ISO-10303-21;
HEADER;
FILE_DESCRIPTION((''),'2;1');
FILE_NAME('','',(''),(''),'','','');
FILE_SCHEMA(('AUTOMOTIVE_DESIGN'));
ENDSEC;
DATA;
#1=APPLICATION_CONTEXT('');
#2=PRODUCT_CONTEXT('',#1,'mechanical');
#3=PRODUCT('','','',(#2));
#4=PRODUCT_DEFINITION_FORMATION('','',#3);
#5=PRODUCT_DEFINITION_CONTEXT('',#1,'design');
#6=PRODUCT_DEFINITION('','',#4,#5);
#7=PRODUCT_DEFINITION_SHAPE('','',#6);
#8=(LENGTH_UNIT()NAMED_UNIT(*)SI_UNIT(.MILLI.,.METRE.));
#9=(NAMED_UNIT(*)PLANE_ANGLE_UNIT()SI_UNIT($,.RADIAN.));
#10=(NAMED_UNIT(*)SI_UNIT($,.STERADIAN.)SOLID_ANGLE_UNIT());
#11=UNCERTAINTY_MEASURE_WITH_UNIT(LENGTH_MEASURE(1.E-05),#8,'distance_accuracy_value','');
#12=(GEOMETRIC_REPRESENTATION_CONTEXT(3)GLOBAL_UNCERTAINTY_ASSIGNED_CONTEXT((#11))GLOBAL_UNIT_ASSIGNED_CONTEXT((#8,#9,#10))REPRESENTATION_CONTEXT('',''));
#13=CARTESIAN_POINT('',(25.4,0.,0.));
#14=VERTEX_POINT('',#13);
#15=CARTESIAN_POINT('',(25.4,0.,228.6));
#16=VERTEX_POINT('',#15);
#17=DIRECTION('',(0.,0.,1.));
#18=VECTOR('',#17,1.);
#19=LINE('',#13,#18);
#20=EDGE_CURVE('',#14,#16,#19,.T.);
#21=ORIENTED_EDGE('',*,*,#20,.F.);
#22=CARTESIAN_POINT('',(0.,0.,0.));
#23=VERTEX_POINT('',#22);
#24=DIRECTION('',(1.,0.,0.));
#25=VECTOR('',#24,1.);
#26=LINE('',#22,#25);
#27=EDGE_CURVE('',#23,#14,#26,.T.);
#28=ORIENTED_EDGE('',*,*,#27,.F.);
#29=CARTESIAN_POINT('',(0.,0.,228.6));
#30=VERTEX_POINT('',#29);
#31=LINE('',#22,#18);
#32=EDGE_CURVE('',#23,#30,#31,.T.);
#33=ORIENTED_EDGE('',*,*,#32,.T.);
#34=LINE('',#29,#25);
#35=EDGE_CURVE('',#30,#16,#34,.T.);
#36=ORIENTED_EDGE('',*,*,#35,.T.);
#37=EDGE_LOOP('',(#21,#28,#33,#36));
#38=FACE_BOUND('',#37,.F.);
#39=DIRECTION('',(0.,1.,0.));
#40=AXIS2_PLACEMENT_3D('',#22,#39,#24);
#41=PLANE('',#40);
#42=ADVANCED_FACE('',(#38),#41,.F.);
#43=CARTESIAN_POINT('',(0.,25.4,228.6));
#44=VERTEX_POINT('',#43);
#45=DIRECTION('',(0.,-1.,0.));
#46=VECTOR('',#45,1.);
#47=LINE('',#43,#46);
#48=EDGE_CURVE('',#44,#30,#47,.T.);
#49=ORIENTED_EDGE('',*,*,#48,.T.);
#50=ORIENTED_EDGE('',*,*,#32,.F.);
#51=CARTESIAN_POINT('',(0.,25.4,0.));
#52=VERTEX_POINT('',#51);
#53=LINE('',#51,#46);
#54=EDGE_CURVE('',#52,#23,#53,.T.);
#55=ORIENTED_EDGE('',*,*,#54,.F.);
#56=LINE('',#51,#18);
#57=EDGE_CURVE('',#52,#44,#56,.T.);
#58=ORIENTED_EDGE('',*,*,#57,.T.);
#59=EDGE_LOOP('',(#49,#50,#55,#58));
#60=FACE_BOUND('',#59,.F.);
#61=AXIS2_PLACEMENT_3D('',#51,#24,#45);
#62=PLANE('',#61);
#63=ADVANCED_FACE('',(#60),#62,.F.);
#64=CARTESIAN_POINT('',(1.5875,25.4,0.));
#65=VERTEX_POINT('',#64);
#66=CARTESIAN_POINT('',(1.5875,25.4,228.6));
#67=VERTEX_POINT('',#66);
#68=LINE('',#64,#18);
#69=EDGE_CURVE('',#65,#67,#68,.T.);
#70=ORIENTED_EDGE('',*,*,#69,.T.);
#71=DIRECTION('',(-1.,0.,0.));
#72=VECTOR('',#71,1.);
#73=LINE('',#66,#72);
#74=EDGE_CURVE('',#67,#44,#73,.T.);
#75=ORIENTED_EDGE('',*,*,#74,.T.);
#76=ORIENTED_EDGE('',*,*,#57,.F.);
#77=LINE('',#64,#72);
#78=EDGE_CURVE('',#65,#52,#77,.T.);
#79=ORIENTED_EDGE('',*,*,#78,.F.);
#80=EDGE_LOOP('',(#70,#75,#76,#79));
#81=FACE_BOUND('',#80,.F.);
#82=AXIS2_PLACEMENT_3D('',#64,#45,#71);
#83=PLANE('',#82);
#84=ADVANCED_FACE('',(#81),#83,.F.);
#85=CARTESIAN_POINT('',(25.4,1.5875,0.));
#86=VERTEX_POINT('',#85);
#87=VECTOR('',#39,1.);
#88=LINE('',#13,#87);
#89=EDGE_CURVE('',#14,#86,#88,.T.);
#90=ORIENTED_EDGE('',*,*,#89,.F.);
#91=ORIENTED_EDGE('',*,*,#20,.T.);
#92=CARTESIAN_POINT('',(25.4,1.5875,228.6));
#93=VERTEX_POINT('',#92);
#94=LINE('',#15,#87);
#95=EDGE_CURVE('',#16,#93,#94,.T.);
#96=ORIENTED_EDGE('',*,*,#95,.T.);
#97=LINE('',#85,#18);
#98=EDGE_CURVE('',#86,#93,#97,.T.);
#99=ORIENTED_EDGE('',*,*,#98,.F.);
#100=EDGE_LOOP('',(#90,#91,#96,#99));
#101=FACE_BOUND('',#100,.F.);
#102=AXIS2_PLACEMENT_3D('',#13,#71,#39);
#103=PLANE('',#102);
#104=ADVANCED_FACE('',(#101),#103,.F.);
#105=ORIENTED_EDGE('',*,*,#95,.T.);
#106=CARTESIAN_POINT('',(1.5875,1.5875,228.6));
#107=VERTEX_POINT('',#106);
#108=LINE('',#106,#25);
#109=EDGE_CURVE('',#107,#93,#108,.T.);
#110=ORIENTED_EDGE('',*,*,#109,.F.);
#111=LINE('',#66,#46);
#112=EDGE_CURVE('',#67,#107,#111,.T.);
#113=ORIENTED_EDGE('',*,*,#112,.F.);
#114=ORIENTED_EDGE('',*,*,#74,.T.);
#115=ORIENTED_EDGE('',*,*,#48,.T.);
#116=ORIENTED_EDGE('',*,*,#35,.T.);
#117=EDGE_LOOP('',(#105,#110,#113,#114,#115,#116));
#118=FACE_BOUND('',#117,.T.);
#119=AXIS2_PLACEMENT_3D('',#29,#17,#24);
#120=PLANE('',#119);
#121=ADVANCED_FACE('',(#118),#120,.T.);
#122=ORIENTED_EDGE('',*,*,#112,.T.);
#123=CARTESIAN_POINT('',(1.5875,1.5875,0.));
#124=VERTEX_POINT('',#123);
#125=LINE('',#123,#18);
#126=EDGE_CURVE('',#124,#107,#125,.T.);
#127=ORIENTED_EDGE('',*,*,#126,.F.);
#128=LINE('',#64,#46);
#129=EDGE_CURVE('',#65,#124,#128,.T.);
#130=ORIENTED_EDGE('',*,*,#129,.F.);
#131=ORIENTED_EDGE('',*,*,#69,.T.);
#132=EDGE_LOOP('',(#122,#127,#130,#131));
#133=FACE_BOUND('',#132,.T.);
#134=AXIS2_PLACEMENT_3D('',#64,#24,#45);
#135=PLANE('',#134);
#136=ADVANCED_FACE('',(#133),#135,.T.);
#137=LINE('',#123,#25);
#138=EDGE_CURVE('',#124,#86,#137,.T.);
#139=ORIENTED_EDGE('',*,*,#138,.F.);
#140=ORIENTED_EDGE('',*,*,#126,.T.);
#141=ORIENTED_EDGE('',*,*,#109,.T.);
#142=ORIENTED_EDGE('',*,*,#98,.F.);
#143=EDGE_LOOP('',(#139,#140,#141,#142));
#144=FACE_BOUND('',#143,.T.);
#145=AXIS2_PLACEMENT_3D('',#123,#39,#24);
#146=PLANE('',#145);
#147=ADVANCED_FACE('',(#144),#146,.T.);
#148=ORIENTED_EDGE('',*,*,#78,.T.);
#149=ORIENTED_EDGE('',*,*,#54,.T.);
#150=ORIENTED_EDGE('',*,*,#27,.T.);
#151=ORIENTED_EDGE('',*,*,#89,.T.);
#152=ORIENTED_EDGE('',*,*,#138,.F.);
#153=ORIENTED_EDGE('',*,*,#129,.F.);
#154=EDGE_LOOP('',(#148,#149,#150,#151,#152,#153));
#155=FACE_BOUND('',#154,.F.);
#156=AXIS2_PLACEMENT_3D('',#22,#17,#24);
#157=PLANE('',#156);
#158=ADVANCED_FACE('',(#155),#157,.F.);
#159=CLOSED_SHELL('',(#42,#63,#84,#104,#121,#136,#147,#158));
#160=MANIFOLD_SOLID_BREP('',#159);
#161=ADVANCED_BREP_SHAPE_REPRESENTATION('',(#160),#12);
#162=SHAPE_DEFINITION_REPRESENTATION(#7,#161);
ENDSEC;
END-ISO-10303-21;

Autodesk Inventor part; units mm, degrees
ref_plane "YZ Plane" through (0, 0, 0) normal (1, 0, 0) x (0, 1, 0)
ref_plane "XZ Plane" through (0, 0, 0) normal (0, 1, 0) x (-1, 0, 0)
ref_plane "XY Plane" through (0, 0, 0) normal (0, 0, 1) x (1, 0, 0)
sketch "Sketch1" plane through (0, 0, 0) normal (0, 0, 1) x (1, 0, 0)
  line L0 (0, 0) -> (25.4, 0)
  line L1 (25.4, 0) -> (25.4, 1.5875)
  line L2 (1.5875, 25.4) -> (0, 25.4)
  line L3 (0, 25.4) -> (0, 0)
  line L4 (1.5875, 25.4) -> (1.5875, 1.5875)
  line L5 (1.5875, 1.5875) -> (25.4, 1.5875)
  dimension "d0" = 25.4
  dimension "d1" = 25.4
  dimension "d2" = 1.5875
  dimension "d3" = 1.5875
extrude "Extrusion1" add sketch "Sketch1" along normal blind 228.6
equation "\"d1\" = d0"
equation "\"d3\" = d2"
properties part number "bumper corner bracket"
